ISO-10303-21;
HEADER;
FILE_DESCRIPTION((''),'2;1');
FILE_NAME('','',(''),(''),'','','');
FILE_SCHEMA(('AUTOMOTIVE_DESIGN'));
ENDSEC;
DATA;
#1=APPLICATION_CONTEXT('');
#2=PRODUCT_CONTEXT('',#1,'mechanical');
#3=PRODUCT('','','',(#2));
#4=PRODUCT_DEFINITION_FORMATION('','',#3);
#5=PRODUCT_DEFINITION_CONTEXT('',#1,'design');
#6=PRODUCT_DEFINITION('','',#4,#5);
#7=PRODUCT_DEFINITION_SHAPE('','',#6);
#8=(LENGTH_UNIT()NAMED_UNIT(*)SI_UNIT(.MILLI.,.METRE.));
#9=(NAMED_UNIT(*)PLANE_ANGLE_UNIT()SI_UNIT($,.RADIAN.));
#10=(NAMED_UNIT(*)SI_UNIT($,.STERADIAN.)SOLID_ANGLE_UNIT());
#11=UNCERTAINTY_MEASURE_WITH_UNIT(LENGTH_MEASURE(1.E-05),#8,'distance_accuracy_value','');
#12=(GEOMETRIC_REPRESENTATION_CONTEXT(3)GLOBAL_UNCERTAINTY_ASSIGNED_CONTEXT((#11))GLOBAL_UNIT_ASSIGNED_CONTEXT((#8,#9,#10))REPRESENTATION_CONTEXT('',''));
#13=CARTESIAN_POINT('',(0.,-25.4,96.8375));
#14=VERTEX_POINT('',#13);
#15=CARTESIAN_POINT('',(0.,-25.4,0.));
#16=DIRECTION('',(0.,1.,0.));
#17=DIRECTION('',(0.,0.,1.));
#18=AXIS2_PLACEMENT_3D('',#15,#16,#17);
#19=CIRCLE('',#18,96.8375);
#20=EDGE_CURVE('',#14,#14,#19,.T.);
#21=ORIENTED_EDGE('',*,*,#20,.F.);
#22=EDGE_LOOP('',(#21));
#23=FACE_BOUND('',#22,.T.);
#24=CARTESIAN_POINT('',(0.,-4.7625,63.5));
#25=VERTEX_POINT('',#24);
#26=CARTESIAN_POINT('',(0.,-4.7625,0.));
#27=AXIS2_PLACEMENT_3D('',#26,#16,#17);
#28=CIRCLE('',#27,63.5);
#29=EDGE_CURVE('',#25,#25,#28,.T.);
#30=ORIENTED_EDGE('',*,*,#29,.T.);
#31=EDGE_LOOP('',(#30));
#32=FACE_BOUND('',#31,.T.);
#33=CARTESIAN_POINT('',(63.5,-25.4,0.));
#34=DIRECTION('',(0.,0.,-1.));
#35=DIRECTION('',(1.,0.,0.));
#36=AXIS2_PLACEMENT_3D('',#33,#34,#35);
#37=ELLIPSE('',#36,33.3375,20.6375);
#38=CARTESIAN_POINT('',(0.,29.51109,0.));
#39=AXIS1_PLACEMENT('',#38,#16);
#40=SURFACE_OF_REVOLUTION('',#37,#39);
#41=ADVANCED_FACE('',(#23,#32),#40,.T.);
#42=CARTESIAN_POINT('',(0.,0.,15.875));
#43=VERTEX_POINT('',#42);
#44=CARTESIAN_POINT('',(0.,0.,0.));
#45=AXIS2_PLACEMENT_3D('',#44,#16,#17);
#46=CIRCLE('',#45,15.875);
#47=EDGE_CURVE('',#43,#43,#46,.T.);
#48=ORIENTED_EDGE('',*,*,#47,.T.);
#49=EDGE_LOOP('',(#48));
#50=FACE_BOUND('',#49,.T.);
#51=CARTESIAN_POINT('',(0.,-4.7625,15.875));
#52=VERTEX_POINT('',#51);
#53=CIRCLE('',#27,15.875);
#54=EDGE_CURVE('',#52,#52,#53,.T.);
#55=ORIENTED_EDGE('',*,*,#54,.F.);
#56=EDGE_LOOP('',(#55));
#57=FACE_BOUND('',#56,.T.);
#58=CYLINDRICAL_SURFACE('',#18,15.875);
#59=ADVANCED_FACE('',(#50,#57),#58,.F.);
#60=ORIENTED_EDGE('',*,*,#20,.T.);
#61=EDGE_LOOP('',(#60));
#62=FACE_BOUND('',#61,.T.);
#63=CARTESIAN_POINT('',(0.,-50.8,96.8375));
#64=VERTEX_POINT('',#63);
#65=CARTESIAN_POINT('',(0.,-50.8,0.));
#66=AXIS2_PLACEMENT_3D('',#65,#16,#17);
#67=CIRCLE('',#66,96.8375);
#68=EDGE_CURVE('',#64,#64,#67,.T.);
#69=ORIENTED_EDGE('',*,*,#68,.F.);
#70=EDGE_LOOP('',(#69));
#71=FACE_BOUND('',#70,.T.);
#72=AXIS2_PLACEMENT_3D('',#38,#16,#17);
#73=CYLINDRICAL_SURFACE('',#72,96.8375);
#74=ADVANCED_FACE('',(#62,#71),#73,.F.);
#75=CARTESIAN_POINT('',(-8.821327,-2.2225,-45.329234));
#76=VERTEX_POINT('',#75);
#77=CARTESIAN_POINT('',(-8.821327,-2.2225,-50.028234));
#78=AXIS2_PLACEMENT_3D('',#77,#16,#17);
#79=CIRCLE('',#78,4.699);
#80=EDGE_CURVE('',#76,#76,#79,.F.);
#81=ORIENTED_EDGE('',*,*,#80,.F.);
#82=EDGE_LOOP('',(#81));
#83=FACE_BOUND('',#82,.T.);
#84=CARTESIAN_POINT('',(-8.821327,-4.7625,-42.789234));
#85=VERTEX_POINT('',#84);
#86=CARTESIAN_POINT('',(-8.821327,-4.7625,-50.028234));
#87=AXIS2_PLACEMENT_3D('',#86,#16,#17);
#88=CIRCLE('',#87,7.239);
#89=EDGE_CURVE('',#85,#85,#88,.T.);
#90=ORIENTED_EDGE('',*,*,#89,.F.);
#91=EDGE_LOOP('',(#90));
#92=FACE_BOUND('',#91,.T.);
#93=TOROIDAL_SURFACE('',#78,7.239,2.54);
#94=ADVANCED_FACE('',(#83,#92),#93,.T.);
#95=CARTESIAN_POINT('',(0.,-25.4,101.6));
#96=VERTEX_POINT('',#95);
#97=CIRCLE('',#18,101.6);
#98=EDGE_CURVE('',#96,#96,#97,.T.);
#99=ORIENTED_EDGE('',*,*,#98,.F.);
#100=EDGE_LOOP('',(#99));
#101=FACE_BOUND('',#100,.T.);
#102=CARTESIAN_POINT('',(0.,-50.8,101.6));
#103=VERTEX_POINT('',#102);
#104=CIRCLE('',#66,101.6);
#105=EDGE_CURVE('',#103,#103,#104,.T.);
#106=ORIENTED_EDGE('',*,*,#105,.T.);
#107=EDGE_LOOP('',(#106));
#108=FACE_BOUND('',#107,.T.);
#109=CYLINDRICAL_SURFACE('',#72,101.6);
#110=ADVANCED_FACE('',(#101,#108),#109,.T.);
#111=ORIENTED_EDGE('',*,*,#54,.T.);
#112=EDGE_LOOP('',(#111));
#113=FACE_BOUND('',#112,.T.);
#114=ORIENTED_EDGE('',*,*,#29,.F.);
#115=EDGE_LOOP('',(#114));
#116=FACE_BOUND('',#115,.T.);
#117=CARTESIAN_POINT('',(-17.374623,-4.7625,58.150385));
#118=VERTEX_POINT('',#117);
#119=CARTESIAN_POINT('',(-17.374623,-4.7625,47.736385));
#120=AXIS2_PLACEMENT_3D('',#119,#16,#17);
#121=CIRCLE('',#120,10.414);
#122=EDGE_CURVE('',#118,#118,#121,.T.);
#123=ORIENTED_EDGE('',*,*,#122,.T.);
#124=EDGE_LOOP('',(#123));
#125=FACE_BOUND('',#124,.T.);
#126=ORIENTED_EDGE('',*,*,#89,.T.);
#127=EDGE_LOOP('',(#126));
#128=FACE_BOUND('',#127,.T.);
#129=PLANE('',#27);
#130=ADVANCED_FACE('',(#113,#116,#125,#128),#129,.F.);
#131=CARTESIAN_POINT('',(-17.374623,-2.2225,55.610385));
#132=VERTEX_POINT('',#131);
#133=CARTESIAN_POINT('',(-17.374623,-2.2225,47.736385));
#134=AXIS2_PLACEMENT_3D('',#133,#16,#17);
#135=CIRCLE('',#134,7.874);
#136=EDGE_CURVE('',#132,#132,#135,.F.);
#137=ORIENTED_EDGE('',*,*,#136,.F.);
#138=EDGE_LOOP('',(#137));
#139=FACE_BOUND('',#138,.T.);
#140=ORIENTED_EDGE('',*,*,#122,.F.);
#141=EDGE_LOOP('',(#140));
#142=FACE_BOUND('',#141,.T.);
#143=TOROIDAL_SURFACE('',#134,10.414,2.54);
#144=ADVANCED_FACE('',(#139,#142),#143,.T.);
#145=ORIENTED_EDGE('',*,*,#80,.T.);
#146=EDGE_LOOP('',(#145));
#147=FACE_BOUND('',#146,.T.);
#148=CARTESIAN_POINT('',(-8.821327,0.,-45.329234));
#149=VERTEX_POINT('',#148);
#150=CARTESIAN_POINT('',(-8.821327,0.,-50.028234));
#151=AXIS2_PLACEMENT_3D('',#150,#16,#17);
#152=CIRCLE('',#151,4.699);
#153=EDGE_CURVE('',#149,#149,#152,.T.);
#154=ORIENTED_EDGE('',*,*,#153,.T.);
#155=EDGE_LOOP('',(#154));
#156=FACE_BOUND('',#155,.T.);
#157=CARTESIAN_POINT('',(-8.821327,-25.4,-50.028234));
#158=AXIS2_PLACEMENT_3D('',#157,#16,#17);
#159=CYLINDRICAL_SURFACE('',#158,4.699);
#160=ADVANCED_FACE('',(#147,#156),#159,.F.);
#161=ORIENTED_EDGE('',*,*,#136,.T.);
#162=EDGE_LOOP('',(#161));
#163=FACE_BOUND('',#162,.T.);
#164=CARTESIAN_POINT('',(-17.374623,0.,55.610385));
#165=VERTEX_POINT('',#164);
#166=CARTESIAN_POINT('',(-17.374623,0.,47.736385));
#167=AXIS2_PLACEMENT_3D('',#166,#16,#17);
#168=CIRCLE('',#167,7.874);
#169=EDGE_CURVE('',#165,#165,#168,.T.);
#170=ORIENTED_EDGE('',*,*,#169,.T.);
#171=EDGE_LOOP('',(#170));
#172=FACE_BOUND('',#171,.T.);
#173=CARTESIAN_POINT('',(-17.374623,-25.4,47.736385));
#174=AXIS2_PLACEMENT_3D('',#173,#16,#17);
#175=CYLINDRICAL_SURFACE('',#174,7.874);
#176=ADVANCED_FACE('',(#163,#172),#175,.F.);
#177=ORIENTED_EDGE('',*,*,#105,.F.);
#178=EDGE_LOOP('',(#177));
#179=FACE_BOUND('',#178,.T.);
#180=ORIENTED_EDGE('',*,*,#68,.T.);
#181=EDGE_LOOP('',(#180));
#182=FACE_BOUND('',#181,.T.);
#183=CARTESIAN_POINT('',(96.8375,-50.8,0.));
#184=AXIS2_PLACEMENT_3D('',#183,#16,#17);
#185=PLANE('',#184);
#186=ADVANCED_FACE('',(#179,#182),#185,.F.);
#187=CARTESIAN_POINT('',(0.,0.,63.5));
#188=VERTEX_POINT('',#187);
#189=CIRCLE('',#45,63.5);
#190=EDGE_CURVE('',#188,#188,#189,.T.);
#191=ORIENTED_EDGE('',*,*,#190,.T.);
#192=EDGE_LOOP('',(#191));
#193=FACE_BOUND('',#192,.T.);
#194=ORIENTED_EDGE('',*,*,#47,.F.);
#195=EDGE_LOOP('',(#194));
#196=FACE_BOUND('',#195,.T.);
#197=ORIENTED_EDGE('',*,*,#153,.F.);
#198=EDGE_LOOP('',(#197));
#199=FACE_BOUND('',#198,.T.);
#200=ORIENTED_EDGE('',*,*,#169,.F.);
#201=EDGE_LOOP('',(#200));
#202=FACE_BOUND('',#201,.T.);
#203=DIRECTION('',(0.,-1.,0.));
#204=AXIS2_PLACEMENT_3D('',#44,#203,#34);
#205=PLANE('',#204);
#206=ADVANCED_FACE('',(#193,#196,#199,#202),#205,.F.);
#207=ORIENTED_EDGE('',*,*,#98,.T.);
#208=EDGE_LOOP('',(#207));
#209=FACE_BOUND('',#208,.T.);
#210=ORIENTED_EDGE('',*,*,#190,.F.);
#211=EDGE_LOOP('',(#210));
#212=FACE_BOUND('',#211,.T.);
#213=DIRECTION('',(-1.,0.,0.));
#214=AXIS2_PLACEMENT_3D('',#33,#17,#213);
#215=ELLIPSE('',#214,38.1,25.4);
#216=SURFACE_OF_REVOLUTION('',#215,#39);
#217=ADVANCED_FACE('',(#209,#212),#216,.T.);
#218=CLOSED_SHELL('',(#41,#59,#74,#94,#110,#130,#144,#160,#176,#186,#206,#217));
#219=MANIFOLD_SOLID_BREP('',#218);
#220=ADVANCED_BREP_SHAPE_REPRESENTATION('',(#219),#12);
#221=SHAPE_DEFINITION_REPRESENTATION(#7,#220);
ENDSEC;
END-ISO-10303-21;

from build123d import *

# Parameters (mm, degrees)
SKETCH2_R          = 7.874
SKETCH2_R_2        = 15.875
SKETCH2_R_3        = 4.699
CUT_EXTRUDE1_DEPTH = 25.4
FILLET1_R          = 2.54


with BuildPart() as part:
    # Sketch1 → Revolve1 (revolve)
    with BuildSketch(Plane.XY, mode=Mode.PRIVATE) as revolve1_sk:
        with BuildLine():
            Line((0, 0), (0, -4.7625))
            Line((0, -4.7625), (63.5, -4.7625))
            add(Edge.make_bspline(
                [(96.8375, -25.4), (96.8375, -4.7625), (63.5, -4.7625)],
                knots=[0, 0, 0, 1.570796327, 1.570796327, 1.570796327], degree=2, weights=[1, 0.707106781, 1]))
            Line((96.8375, -25.4), (96.8375, -50.8))
            Line((96.8375, -50.8), (101.6, -50.8))
            Line((101.6, -50.8), (101.6, -25.4))
            add(Edge.make_bspline(
                [(101.6, -25.4), (101.6, 0), (63.5, 0)],
                knots=[3.141592654, 3.141592654, 3.141592654, 4.71238898, 4.71238898, 4.71238898], degree=2, weights=[1, 0.707106781, 1]))
            Line((63.5, 0), (0, 0))
        make_face()
    revolve(revolve1_sk.sketch.rotate(Axis((0, 29.511089747, 0), (0, -1, 0)), 90), axis=Axis((0, 29.511089747, 0), (0, -1, 0)))

    # Sketch2 → Cut-Extrude1 (cut)
    with BuildSketch(Plane(origin=(0, 0, 0), x_dir=(1, 0, 0), z_dir=(0, 1, 0))):
        with Locations(Location((-17.374623281, -47.736385136, 0), (0, 0, 270))):
            Circle(SKETCH2_R)
        with Locations(Location((0, 0, 0), (0, 0, 270))):
            Circle(SKETCH2_R_2)
        with Locations(Location((-8.821327425, 50.028233853, 0), (0, 0, 270))):
            Circle(SKETCH2_R_3)
    extrude(amount=-CUT_EXTRUDE1_DEPTH, mode=Mode.SUBTRACT)

    # Fillet1
    fillet1_edges = [part.edges().sort_by_distance(p)[0] for p in [
        (-17.374623281, -4.7625, 39.862385136),
        (-8.821327425, -4.7625, -54.727233853),
    ]]
    fillet(fillet1_edges, radius=FILLET1_R)


solid = part.part
